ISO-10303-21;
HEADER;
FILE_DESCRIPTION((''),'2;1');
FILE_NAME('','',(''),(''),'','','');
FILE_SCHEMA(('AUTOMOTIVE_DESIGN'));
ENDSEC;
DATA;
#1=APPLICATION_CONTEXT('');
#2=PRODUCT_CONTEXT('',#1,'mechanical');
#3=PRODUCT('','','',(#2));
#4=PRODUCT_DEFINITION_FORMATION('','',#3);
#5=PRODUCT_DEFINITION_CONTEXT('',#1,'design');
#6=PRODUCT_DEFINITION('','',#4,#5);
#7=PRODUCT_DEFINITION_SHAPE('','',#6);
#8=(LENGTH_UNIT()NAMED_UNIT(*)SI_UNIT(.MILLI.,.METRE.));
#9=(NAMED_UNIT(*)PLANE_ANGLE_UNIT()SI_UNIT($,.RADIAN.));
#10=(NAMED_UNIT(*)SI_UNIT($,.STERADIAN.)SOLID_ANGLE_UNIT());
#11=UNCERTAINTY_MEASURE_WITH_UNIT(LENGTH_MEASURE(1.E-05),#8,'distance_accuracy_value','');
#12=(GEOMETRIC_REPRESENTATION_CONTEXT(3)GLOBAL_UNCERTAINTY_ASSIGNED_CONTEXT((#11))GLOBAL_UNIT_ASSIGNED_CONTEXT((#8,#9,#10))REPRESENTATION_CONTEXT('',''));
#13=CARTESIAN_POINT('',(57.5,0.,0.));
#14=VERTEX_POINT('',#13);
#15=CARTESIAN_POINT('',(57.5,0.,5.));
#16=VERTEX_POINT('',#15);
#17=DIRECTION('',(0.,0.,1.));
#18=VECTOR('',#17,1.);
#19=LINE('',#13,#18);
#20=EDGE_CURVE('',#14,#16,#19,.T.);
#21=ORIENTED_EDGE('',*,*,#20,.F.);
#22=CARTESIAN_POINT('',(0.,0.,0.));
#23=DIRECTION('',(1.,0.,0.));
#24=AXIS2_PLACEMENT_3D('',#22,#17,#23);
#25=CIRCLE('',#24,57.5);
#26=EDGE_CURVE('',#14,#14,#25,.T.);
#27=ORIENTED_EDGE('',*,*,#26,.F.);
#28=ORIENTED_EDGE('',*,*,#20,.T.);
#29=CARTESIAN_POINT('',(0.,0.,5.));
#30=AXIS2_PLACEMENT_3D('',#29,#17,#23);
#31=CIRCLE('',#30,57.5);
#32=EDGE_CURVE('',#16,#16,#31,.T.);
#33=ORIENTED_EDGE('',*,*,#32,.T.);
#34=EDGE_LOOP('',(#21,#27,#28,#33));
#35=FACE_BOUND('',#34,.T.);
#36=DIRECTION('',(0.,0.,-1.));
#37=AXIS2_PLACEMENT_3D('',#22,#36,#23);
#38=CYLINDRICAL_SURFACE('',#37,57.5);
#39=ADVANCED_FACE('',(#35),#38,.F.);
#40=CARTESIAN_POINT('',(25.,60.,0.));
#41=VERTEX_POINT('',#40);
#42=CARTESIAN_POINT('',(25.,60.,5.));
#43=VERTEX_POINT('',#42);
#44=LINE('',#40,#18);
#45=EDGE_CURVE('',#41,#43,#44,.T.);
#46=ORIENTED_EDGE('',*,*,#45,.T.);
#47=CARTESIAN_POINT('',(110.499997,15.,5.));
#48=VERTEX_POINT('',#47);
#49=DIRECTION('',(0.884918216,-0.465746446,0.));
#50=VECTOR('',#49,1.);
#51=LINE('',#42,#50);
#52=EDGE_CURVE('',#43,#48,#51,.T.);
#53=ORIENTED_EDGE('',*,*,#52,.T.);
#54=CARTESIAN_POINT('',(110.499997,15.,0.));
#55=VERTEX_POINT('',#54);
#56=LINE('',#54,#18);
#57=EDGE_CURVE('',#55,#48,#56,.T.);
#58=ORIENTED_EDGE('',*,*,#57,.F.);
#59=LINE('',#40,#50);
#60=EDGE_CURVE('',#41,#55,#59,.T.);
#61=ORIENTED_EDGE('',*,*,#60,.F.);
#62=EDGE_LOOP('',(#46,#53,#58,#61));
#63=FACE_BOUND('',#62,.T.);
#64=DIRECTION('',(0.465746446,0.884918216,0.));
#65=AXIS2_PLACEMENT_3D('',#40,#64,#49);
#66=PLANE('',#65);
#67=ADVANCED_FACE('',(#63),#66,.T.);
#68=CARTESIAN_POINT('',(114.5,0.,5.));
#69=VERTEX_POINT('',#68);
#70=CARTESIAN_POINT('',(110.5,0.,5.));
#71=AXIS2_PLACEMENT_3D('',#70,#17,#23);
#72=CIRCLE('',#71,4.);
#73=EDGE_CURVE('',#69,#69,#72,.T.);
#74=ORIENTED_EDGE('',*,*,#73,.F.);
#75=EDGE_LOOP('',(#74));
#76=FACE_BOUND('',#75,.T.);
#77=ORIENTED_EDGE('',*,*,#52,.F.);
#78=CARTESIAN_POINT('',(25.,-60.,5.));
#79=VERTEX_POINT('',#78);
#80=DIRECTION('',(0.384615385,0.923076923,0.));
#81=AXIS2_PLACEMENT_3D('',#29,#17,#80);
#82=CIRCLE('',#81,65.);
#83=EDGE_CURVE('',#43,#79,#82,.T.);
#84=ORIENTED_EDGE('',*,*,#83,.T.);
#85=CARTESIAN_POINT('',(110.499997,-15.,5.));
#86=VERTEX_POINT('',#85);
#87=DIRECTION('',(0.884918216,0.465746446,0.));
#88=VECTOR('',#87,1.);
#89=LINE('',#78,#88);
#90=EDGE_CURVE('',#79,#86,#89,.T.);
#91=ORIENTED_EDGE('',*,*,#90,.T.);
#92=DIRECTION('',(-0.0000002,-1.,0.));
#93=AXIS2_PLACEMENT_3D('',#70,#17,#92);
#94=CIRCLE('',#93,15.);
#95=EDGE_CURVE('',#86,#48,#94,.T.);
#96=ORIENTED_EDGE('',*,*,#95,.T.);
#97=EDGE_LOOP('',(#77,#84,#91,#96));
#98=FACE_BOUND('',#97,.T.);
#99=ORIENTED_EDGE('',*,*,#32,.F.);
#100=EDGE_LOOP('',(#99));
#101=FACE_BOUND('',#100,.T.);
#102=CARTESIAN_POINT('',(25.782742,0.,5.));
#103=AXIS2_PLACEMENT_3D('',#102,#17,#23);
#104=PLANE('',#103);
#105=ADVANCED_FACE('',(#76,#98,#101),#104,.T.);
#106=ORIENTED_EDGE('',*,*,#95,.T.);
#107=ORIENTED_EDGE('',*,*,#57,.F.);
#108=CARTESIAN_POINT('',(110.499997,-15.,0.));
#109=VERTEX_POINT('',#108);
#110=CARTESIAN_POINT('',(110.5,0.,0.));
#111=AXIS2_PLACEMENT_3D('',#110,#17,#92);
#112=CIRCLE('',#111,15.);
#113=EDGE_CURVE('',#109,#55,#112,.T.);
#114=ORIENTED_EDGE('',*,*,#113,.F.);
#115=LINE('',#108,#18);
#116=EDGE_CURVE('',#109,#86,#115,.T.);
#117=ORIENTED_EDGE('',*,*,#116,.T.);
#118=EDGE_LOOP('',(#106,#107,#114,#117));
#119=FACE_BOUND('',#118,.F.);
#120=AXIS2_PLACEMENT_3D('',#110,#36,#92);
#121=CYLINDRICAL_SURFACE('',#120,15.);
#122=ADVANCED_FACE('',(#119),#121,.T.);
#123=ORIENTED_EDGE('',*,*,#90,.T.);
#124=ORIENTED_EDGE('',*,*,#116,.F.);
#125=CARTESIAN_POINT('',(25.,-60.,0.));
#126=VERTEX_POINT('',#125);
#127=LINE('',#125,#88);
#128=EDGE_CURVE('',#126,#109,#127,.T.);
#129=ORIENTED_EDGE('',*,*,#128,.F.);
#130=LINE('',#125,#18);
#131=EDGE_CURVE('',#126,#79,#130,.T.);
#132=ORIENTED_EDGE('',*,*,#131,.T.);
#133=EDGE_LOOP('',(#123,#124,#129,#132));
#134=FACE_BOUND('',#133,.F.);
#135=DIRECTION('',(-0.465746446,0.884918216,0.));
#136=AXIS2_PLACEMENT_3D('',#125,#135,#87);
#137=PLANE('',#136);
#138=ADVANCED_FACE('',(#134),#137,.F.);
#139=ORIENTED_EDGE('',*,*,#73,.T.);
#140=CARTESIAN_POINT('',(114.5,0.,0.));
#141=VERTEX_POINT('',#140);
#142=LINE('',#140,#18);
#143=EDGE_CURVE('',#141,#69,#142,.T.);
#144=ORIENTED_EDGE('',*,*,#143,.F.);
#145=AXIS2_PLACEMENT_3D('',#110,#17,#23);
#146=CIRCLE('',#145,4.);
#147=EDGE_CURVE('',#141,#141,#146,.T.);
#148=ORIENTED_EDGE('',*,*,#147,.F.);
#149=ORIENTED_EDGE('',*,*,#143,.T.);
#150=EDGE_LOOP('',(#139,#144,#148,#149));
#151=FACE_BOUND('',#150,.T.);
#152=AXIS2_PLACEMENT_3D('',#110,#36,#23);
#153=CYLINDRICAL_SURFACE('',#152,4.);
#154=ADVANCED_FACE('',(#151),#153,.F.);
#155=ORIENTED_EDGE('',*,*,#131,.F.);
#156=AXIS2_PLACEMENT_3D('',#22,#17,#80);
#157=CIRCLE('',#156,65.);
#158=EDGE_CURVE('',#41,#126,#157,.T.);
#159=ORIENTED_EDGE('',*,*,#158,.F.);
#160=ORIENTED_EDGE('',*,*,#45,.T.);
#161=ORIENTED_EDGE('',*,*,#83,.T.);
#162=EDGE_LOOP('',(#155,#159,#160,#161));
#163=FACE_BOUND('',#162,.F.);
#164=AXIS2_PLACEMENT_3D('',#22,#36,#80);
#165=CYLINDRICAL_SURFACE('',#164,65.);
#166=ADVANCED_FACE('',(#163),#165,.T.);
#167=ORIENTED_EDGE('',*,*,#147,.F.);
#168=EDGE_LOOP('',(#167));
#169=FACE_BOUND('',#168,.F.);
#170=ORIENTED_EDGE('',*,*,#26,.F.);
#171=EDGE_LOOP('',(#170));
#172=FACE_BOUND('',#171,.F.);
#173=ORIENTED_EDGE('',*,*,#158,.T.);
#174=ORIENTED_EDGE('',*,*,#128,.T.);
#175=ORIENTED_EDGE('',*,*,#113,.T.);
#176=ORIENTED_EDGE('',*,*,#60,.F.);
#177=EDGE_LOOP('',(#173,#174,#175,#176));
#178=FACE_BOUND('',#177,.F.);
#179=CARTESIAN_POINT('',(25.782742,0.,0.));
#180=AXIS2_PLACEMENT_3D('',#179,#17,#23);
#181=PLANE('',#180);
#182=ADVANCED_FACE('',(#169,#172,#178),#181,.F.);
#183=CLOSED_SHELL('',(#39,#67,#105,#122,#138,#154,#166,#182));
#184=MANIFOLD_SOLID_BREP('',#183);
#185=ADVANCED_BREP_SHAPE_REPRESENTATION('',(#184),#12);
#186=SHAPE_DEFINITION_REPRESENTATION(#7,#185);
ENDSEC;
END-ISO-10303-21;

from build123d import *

# Parameters (mm, degrees)
SKETCH_R   = 57.5
SKETCH_R_2 = 4
PAD_DEPTH  = 5


with BuildPart() as part:
    # Sketch → Pad (new body)
    with BuildSketch(Plane.XY):
        with BuildLine():
            ThreePointArc((25, 60), (-65, 0), (25, -60))
            Line((25, -60), (110.499997, -15))
            ThreePointArc((110.499997, -15), (125.5, 0), (110.499997, 15))
            Line((25, 60), (110.499997, 15))
        make_face()
        Circle(SKETCH_R, mode=Mode.SUBTRACT)
        with Locations((110.5, 0)):
            Circle(SKETCH_R_2, mode=Mode.SUBTRACT)
    extrude(amount=PAD_DEPTH)


solid = part.part
